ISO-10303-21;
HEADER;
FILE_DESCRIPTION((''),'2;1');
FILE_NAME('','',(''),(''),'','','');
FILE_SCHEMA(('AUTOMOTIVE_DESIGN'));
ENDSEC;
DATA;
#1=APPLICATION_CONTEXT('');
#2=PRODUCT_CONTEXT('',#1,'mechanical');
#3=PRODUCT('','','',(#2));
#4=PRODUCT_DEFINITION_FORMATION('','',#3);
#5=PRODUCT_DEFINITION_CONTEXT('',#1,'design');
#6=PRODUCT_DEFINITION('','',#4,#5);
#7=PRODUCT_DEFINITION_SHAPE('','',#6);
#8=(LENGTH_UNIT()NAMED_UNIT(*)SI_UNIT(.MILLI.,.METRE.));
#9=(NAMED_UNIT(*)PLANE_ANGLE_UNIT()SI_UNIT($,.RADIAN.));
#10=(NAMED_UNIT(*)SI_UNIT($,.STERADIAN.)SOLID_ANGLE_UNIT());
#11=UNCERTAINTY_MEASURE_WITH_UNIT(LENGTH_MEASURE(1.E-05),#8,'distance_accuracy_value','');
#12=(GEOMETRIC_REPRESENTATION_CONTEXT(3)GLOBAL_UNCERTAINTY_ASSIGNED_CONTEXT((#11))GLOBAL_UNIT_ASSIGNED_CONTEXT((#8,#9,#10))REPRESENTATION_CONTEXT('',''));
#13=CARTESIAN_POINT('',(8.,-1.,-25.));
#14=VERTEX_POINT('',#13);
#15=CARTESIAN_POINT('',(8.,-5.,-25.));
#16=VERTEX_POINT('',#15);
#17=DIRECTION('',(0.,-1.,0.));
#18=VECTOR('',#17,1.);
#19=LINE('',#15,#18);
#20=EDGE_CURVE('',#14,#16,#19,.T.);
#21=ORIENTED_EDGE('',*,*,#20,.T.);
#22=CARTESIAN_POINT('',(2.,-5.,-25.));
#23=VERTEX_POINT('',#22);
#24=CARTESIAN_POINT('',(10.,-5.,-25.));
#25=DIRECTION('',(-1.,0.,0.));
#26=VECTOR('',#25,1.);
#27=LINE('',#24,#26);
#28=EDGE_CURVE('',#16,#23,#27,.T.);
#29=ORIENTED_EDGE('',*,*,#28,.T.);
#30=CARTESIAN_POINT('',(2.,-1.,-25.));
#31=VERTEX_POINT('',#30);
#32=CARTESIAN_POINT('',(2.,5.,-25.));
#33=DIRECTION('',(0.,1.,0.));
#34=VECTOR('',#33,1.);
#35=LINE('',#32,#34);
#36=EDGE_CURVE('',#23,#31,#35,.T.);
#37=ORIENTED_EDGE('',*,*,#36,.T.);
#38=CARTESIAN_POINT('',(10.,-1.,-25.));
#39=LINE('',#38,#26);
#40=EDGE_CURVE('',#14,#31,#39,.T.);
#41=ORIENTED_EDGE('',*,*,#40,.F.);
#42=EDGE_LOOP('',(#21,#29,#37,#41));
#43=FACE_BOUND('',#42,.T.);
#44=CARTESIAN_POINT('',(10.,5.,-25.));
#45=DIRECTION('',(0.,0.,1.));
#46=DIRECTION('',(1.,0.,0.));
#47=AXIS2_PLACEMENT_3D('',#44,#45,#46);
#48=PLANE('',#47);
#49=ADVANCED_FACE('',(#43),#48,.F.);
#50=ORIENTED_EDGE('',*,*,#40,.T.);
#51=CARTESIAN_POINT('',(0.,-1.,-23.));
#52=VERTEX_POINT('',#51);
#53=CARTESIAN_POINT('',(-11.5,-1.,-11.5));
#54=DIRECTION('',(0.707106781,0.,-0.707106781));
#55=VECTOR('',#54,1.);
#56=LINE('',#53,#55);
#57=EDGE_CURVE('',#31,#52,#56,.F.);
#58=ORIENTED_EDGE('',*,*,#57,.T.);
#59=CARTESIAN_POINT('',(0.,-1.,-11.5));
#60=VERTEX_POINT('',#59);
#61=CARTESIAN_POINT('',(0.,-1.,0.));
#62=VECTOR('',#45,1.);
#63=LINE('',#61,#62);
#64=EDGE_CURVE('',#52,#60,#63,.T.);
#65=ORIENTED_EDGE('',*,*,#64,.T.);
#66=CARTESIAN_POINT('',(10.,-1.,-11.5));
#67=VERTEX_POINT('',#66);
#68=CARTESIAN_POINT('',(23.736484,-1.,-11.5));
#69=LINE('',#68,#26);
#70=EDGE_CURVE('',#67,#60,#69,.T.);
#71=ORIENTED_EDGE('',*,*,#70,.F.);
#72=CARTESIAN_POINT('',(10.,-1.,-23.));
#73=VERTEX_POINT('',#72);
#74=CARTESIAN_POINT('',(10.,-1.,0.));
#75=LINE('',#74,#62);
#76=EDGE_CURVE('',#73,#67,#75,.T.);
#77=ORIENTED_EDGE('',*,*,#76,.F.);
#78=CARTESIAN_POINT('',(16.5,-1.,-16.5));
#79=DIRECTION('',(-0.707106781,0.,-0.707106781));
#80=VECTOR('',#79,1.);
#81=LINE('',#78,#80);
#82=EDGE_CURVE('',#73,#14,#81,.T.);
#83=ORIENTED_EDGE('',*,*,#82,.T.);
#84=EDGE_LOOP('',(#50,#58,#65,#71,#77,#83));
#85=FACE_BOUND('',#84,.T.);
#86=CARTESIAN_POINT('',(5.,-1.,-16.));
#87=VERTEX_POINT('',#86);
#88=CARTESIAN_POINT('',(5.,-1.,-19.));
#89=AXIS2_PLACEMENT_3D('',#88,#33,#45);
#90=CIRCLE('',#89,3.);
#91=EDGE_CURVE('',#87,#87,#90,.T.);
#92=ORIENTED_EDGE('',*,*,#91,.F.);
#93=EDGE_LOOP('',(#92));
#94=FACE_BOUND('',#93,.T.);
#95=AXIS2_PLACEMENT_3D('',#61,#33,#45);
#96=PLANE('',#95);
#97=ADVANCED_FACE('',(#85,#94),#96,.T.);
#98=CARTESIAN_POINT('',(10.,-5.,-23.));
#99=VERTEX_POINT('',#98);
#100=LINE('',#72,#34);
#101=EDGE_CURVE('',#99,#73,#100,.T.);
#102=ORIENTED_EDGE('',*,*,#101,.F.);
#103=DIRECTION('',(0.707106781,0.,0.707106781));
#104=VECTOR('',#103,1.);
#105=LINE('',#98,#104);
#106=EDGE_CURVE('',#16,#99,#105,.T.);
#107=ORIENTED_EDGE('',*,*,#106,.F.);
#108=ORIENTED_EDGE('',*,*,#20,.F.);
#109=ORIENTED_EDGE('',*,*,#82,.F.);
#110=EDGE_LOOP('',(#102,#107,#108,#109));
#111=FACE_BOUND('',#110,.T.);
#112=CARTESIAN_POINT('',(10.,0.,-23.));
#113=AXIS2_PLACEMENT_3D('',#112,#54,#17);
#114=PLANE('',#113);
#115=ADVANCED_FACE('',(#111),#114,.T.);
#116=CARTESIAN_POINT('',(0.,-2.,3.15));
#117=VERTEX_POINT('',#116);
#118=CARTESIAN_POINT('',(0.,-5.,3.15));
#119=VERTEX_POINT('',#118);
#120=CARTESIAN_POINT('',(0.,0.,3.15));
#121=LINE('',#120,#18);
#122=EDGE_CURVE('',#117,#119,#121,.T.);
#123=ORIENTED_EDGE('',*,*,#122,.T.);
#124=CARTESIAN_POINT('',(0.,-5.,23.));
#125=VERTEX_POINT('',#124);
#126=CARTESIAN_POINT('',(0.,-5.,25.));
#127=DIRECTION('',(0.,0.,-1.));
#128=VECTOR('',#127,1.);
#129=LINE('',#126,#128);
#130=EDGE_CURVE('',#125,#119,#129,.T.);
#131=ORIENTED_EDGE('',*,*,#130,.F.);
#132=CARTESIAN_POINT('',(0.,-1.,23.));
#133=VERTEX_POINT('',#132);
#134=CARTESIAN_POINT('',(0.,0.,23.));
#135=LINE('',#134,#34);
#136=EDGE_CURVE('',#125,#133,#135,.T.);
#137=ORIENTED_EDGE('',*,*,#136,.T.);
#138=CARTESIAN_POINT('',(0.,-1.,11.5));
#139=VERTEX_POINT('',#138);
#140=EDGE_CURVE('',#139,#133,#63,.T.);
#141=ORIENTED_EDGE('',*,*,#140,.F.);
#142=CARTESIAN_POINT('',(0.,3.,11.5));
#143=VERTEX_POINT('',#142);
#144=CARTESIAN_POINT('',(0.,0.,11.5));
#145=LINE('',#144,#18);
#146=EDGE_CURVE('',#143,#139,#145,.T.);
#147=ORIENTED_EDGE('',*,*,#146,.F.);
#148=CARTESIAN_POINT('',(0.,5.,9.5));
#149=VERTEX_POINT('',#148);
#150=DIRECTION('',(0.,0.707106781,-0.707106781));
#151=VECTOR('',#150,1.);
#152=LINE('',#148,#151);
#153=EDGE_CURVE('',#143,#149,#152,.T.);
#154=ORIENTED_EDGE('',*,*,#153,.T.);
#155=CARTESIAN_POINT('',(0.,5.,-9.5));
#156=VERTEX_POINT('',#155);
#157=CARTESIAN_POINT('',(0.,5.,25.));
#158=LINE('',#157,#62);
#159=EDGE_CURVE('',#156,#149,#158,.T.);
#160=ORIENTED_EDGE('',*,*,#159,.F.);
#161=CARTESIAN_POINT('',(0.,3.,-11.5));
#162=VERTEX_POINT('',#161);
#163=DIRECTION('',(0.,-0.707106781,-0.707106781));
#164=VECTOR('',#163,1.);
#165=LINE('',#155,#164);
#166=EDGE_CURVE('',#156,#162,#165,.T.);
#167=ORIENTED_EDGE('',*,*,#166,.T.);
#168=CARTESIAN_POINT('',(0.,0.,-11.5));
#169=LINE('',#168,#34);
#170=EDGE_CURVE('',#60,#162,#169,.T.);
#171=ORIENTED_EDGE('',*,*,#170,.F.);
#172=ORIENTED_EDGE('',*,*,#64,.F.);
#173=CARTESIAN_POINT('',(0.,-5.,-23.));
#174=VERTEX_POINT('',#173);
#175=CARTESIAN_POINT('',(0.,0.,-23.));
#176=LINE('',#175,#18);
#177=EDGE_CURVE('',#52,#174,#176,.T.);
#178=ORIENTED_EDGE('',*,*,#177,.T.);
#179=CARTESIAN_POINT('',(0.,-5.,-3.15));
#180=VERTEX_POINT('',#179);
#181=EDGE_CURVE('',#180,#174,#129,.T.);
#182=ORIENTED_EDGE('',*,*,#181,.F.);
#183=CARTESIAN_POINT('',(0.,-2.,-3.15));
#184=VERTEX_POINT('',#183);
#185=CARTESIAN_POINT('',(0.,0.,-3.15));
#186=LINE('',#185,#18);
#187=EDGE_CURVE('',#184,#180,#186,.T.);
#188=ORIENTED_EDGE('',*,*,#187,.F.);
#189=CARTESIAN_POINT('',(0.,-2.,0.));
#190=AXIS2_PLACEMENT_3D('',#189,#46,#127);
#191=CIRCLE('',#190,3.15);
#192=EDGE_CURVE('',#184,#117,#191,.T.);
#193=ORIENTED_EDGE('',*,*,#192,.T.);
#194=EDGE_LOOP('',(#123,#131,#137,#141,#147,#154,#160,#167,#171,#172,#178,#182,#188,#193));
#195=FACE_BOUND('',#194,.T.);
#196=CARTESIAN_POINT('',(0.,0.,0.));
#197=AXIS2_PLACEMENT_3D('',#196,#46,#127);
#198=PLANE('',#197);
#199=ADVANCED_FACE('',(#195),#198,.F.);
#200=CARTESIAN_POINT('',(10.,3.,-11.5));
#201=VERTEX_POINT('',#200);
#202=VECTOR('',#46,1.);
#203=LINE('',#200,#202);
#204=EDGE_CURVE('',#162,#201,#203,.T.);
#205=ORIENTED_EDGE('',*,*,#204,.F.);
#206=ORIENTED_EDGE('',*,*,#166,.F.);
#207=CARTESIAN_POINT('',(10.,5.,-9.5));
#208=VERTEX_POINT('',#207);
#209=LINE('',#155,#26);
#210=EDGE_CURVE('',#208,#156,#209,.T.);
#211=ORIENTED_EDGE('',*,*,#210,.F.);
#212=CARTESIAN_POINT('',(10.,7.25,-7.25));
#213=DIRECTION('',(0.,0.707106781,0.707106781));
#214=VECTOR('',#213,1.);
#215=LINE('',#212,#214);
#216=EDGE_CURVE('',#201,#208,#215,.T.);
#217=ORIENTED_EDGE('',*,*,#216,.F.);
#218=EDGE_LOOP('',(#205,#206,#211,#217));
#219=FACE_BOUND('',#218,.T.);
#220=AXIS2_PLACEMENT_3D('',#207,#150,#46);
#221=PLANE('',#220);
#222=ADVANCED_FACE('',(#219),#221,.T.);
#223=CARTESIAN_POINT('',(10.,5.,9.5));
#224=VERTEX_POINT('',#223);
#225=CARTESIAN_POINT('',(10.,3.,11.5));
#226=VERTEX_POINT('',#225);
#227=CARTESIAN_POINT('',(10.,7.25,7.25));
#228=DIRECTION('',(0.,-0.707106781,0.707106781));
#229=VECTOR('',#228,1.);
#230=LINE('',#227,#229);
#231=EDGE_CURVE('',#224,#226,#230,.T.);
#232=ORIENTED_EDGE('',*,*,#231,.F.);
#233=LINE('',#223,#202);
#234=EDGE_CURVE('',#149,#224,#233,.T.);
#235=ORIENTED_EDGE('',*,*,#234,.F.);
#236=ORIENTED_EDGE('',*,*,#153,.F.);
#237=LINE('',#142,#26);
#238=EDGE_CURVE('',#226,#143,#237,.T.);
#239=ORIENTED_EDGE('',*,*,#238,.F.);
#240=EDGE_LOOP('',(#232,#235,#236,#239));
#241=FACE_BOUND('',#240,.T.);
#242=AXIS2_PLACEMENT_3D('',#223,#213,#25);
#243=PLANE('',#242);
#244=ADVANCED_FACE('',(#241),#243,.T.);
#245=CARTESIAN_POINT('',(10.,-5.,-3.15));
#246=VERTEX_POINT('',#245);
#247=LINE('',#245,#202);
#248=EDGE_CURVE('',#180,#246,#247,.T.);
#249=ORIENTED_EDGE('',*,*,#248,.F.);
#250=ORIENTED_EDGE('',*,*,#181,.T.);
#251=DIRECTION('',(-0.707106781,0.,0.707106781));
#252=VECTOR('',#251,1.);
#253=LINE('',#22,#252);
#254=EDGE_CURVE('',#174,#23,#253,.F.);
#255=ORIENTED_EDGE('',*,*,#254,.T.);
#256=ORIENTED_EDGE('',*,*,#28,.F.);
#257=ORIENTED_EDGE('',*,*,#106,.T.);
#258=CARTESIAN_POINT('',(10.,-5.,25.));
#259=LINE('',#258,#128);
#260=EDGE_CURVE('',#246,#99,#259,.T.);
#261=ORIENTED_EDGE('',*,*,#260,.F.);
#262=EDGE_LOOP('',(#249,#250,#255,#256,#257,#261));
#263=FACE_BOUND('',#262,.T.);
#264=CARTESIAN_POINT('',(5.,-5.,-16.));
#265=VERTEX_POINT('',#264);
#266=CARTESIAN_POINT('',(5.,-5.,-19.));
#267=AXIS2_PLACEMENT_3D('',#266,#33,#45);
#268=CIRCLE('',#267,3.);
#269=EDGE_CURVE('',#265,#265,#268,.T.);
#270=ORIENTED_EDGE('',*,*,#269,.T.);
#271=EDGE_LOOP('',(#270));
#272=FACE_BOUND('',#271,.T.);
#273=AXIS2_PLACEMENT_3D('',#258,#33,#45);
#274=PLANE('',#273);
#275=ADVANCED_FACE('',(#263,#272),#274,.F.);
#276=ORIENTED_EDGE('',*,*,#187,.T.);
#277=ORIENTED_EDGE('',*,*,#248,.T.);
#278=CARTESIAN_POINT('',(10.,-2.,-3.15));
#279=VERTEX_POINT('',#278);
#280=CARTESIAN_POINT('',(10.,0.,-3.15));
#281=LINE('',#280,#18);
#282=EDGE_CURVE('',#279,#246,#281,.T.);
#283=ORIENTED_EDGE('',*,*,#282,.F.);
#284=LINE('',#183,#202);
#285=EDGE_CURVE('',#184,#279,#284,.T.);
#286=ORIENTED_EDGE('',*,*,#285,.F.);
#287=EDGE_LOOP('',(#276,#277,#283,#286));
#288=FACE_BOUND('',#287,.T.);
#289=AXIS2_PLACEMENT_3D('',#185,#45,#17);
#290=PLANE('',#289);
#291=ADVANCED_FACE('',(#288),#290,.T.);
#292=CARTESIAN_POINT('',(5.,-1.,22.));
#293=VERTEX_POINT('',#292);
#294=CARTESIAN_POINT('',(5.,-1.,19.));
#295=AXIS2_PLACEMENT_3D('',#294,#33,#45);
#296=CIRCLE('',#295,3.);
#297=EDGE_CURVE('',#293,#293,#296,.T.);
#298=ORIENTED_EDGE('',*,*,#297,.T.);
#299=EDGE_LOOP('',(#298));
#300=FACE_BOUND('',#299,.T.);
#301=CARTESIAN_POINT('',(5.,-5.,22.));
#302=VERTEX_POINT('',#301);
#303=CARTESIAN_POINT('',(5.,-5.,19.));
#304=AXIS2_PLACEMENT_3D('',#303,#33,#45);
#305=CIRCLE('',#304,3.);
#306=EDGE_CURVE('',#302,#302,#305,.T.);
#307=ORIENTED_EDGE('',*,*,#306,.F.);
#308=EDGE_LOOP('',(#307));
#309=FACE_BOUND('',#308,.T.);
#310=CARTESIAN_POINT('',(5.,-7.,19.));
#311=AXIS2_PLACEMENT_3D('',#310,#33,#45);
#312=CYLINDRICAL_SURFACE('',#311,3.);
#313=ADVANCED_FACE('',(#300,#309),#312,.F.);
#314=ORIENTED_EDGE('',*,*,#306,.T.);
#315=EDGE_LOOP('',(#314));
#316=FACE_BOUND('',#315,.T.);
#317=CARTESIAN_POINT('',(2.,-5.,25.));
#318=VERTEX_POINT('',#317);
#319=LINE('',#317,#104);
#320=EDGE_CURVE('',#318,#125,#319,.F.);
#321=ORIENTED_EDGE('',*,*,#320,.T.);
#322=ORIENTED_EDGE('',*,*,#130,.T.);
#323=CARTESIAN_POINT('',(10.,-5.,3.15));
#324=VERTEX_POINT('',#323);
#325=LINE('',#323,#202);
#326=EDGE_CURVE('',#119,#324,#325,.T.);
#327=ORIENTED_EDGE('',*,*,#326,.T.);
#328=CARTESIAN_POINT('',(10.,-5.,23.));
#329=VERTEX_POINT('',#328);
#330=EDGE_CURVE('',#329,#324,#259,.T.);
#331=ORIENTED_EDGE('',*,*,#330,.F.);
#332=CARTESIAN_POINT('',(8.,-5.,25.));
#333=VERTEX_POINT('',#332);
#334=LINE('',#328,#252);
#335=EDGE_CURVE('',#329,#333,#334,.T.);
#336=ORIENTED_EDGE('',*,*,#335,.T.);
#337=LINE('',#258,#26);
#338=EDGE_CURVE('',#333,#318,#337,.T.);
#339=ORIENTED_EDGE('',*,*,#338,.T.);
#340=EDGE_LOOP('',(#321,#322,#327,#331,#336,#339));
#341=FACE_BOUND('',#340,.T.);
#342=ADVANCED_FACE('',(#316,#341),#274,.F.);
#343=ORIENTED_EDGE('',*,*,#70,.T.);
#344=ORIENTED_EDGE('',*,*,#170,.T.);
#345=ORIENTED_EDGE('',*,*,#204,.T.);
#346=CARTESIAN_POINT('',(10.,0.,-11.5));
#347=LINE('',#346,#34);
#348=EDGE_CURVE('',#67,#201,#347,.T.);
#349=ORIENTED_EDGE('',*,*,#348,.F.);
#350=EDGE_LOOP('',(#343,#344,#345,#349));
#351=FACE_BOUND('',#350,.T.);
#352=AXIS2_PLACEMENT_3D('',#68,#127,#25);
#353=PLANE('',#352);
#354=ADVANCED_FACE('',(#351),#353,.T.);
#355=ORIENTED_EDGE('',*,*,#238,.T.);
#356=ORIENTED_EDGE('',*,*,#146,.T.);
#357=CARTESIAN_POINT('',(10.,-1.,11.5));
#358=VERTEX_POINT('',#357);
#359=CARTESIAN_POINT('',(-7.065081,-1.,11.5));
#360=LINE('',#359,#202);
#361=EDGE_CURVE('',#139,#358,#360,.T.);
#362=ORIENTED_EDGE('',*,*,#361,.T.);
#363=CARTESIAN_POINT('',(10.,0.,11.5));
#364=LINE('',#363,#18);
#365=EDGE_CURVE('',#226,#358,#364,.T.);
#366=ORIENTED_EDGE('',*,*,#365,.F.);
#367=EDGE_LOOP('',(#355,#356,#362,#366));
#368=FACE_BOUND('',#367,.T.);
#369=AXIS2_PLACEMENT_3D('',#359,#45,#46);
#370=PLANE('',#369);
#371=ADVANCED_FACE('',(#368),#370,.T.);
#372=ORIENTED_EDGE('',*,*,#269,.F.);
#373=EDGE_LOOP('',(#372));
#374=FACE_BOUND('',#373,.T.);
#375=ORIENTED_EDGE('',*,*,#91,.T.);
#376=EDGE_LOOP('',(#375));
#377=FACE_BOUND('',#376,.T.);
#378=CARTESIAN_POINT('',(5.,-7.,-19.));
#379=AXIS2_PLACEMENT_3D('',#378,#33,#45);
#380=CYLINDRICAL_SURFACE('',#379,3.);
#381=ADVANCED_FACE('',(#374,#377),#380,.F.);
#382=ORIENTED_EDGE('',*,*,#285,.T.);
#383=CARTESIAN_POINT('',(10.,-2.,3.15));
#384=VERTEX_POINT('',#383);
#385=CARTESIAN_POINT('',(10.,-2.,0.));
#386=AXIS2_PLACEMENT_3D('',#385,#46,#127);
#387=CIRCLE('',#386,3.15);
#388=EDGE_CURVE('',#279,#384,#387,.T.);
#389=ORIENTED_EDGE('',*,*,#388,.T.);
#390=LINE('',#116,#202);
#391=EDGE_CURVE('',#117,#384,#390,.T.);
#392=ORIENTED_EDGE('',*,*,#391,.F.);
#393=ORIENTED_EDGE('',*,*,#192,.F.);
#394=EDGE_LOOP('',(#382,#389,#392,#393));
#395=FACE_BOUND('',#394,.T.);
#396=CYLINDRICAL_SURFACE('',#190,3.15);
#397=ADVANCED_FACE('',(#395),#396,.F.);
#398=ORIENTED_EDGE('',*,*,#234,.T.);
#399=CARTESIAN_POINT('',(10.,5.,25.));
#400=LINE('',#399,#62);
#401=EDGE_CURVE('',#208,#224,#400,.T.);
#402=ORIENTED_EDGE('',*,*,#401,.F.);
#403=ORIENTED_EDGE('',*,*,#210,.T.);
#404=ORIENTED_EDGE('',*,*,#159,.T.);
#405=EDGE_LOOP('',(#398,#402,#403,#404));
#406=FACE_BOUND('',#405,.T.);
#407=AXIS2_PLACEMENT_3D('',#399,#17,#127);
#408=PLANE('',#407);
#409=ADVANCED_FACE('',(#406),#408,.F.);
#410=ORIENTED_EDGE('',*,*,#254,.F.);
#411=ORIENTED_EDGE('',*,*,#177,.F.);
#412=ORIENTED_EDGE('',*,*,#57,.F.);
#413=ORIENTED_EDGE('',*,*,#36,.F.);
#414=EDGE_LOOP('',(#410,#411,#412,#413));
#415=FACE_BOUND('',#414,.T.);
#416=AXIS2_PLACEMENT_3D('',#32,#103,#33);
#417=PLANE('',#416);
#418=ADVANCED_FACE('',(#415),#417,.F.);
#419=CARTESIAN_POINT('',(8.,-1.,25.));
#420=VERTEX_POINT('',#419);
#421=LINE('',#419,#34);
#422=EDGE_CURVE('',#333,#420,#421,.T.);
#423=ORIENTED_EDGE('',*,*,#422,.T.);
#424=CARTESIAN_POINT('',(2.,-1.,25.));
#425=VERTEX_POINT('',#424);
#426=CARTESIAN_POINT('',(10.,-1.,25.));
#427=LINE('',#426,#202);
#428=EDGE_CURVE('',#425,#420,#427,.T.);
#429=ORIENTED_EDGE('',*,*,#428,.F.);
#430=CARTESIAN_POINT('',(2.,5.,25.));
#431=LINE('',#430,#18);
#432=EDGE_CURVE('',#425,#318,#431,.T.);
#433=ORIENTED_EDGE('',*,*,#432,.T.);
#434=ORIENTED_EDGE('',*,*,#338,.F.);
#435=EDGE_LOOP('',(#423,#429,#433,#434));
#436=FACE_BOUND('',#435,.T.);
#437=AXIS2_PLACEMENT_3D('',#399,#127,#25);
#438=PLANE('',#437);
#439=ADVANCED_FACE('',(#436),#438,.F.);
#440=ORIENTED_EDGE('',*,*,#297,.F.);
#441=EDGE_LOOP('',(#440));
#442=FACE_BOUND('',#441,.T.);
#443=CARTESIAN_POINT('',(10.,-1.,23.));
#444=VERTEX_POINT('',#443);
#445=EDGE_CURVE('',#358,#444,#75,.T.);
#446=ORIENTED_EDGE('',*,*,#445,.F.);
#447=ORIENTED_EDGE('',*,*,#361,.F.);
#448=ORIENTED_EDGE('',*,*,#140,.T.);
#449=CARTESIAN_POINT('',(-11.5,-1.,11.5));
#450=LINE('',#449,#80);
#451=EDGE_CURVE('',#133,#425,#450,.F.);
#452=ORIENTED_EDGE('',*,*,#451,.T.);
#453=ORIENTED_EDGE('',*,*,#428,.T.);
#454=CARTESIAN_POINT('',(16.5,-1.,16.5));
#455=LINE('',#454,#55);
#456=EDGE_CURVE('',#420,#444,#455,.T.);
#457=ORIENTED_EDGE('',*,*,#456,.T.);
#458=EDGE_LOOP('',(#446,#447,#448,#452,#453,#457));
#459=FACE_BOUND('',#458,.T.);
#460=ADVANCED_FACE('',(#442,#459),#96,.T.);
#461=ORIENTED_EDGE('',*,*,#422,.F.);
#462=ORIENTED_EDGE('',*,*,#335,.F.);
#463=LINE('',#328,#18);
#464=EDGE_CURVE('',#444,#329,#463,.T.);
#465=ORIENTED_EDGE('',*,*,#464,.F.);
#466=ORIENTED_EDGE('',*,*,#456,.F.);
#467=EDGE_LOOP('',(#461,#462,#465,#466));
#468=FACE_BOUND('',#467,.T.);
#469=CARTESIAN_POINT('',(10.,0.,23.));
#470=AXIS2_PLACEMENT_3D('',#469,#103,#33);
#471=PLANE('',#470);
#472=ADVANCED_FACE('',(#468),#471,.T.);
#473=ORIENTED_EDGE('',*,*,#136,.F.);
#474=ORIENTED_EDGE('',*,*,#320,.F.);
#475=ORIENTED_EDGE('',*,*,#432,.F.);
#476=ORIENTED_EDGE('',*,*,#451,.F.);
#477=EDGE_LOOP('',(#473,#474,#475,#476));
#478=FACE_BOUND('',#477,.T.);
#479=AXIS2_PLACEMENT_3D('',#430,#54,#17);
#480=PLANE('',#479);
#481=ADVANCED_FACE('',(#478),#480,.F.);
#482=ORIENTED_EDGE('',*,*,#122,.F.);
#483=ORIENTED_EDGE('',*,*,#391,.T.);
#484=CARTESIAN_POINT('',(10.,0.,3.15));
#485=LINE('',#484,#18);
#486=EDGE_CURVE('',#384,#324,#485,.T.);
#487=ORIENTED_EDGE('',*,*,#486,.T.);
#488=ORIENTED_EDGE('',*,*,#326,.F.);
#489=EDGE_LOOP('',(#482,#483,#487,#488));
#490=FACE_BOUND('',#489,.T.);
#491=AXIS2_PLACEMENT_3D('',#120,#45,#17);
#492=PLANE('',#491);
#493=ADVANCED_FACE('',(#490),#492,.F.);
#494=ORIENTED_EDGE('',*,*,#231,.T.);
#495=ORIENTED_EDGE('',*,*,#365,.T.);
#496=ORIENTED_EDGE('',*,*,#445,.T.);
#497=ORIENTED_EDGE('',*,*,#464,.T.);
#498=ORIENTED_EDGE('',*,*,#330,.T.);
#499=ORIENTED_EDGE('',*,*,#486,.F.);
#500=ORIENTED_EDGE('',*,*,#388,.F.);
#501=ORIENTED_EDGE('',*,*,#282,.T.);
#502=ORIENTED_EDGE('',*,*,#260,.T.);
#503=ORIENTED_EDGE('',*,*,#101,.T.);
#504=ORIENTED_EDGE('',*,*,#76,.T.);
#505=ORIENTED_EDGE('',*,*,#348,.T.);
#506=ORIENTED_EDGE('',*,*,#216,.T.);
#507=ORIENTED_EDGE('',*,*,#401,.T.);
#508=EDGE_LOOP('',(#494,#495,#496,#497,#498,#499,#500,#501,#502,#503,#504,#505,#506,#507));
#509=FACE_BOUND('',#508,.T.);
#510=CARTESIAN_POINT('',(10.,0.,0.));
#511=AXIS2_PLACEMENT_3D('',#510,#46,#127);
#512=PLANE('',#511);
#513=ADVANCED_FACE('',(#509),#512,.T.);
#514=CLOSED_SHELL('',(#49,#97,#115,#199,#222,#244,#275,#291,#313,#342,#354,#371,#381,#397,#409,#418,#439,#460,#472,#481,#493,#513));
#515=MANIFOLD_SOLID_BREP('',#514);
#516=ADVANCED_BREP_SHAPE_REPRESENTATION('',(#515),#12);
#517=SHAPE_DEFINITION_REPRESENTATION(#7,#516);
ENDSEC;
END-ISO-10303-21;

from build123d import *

# Parameters (mm, degrees)
SKETCH1_W           = 50
SKETCH1_H           = 10
BOSS_EXTRUDE1_DEPTH = 10
SKETCH3_W           = 10
SKETCH3_H           = 13.5
CUT_EXTRUDE1_DEPTH  = 6
SKETCH4_R           = 3
CUT_EXTRUDE2_DEPTH  = 6
SKETCH5_R           = 3.15
SKETCH5_W           = 6.3
SKETCH5_H           = 7.480912946
CUT_EXTRUDE3_DEPTH  = 28.386127875
CHAMFER1_SIZE       = 2


with BuildPart() as part:
    # Sketch1 → Boss-Extrude1 (new body)
    with BuildSketch(Plane(origin=(0, 0, 0), x_dir=(0, 0, -1), z_dir=(1, 0, 0))):
        Rectangle(SKETCH1_W, SKETCH1_H)
    extrude(amount=BOSS_EXTRUDE1_DEPTH)

    # Sketch3 → Cut-Extrude1 (cut)
    with BuildSketch(Plane(origin=(0, 5, 0), x_dir=(1, 0, 0), z_dir=(0, 1, 0))):
        with Locations((5, -18.25)):
            Rectangle(SKETCH3_W, SKETCH3_H)
        with Locations((5, 18.25)):
            Rectangle(SKETCH3_W, SKETCH3_H)
    extrude(amount=-CUT_EXTRUDE1_DEPTH, mode=Mode.SUBTRACT)

    # Sketch4 → Cut-Extrude2 (cut)
    with BuildSketch(Plane(origin=(0, -1, 0), x_dir=(1, 0, 0), z_dir=(0, 1, 0))):
        with Locations(Location((5, 19, 0), (0, 0, 270))):
            Circle(SKETCH4_R)
        with Locations(Location((5, -19, 0), (0, 0, 270))):
            Circle(SKETCH4_R)
    extrude(amount=-CUT_EXTRUDE2_DEPTH, mode=Mode.SUBTRACT)

    # Sketch5 → Cut-Extrude3 (cut, through all)
    with BuildSketch(Plane(origin=(10, 0, 0), x_dir=(0, 0, -1), z_dir=(1, 0, 0))):
        with Locations((0, -2)):
            Circle(SKETCH5_R)
        with Locations((0, -5.740456473)):
            Rectangle(SKETCH5_W, SKETCH5_H)
    extrude(amount=-CUT_EXTRUDE3_DEPTH, mode=Mode.SUBTRACT)

    # Chamfer1
    chamfer1_edges = [part.edges().sort_by_distance(p)[0] for p in [
        (0, -3, 25),
        (10, -3, 25),
        (5, 5, 11.5),
        (5, 5, -11.5),
        (10, -3, -25),
        (0, -3, -25),
    ]]
    chamfer(chamfer1_edges, length=CHAMFER1_SIZE)


solid = part.part
